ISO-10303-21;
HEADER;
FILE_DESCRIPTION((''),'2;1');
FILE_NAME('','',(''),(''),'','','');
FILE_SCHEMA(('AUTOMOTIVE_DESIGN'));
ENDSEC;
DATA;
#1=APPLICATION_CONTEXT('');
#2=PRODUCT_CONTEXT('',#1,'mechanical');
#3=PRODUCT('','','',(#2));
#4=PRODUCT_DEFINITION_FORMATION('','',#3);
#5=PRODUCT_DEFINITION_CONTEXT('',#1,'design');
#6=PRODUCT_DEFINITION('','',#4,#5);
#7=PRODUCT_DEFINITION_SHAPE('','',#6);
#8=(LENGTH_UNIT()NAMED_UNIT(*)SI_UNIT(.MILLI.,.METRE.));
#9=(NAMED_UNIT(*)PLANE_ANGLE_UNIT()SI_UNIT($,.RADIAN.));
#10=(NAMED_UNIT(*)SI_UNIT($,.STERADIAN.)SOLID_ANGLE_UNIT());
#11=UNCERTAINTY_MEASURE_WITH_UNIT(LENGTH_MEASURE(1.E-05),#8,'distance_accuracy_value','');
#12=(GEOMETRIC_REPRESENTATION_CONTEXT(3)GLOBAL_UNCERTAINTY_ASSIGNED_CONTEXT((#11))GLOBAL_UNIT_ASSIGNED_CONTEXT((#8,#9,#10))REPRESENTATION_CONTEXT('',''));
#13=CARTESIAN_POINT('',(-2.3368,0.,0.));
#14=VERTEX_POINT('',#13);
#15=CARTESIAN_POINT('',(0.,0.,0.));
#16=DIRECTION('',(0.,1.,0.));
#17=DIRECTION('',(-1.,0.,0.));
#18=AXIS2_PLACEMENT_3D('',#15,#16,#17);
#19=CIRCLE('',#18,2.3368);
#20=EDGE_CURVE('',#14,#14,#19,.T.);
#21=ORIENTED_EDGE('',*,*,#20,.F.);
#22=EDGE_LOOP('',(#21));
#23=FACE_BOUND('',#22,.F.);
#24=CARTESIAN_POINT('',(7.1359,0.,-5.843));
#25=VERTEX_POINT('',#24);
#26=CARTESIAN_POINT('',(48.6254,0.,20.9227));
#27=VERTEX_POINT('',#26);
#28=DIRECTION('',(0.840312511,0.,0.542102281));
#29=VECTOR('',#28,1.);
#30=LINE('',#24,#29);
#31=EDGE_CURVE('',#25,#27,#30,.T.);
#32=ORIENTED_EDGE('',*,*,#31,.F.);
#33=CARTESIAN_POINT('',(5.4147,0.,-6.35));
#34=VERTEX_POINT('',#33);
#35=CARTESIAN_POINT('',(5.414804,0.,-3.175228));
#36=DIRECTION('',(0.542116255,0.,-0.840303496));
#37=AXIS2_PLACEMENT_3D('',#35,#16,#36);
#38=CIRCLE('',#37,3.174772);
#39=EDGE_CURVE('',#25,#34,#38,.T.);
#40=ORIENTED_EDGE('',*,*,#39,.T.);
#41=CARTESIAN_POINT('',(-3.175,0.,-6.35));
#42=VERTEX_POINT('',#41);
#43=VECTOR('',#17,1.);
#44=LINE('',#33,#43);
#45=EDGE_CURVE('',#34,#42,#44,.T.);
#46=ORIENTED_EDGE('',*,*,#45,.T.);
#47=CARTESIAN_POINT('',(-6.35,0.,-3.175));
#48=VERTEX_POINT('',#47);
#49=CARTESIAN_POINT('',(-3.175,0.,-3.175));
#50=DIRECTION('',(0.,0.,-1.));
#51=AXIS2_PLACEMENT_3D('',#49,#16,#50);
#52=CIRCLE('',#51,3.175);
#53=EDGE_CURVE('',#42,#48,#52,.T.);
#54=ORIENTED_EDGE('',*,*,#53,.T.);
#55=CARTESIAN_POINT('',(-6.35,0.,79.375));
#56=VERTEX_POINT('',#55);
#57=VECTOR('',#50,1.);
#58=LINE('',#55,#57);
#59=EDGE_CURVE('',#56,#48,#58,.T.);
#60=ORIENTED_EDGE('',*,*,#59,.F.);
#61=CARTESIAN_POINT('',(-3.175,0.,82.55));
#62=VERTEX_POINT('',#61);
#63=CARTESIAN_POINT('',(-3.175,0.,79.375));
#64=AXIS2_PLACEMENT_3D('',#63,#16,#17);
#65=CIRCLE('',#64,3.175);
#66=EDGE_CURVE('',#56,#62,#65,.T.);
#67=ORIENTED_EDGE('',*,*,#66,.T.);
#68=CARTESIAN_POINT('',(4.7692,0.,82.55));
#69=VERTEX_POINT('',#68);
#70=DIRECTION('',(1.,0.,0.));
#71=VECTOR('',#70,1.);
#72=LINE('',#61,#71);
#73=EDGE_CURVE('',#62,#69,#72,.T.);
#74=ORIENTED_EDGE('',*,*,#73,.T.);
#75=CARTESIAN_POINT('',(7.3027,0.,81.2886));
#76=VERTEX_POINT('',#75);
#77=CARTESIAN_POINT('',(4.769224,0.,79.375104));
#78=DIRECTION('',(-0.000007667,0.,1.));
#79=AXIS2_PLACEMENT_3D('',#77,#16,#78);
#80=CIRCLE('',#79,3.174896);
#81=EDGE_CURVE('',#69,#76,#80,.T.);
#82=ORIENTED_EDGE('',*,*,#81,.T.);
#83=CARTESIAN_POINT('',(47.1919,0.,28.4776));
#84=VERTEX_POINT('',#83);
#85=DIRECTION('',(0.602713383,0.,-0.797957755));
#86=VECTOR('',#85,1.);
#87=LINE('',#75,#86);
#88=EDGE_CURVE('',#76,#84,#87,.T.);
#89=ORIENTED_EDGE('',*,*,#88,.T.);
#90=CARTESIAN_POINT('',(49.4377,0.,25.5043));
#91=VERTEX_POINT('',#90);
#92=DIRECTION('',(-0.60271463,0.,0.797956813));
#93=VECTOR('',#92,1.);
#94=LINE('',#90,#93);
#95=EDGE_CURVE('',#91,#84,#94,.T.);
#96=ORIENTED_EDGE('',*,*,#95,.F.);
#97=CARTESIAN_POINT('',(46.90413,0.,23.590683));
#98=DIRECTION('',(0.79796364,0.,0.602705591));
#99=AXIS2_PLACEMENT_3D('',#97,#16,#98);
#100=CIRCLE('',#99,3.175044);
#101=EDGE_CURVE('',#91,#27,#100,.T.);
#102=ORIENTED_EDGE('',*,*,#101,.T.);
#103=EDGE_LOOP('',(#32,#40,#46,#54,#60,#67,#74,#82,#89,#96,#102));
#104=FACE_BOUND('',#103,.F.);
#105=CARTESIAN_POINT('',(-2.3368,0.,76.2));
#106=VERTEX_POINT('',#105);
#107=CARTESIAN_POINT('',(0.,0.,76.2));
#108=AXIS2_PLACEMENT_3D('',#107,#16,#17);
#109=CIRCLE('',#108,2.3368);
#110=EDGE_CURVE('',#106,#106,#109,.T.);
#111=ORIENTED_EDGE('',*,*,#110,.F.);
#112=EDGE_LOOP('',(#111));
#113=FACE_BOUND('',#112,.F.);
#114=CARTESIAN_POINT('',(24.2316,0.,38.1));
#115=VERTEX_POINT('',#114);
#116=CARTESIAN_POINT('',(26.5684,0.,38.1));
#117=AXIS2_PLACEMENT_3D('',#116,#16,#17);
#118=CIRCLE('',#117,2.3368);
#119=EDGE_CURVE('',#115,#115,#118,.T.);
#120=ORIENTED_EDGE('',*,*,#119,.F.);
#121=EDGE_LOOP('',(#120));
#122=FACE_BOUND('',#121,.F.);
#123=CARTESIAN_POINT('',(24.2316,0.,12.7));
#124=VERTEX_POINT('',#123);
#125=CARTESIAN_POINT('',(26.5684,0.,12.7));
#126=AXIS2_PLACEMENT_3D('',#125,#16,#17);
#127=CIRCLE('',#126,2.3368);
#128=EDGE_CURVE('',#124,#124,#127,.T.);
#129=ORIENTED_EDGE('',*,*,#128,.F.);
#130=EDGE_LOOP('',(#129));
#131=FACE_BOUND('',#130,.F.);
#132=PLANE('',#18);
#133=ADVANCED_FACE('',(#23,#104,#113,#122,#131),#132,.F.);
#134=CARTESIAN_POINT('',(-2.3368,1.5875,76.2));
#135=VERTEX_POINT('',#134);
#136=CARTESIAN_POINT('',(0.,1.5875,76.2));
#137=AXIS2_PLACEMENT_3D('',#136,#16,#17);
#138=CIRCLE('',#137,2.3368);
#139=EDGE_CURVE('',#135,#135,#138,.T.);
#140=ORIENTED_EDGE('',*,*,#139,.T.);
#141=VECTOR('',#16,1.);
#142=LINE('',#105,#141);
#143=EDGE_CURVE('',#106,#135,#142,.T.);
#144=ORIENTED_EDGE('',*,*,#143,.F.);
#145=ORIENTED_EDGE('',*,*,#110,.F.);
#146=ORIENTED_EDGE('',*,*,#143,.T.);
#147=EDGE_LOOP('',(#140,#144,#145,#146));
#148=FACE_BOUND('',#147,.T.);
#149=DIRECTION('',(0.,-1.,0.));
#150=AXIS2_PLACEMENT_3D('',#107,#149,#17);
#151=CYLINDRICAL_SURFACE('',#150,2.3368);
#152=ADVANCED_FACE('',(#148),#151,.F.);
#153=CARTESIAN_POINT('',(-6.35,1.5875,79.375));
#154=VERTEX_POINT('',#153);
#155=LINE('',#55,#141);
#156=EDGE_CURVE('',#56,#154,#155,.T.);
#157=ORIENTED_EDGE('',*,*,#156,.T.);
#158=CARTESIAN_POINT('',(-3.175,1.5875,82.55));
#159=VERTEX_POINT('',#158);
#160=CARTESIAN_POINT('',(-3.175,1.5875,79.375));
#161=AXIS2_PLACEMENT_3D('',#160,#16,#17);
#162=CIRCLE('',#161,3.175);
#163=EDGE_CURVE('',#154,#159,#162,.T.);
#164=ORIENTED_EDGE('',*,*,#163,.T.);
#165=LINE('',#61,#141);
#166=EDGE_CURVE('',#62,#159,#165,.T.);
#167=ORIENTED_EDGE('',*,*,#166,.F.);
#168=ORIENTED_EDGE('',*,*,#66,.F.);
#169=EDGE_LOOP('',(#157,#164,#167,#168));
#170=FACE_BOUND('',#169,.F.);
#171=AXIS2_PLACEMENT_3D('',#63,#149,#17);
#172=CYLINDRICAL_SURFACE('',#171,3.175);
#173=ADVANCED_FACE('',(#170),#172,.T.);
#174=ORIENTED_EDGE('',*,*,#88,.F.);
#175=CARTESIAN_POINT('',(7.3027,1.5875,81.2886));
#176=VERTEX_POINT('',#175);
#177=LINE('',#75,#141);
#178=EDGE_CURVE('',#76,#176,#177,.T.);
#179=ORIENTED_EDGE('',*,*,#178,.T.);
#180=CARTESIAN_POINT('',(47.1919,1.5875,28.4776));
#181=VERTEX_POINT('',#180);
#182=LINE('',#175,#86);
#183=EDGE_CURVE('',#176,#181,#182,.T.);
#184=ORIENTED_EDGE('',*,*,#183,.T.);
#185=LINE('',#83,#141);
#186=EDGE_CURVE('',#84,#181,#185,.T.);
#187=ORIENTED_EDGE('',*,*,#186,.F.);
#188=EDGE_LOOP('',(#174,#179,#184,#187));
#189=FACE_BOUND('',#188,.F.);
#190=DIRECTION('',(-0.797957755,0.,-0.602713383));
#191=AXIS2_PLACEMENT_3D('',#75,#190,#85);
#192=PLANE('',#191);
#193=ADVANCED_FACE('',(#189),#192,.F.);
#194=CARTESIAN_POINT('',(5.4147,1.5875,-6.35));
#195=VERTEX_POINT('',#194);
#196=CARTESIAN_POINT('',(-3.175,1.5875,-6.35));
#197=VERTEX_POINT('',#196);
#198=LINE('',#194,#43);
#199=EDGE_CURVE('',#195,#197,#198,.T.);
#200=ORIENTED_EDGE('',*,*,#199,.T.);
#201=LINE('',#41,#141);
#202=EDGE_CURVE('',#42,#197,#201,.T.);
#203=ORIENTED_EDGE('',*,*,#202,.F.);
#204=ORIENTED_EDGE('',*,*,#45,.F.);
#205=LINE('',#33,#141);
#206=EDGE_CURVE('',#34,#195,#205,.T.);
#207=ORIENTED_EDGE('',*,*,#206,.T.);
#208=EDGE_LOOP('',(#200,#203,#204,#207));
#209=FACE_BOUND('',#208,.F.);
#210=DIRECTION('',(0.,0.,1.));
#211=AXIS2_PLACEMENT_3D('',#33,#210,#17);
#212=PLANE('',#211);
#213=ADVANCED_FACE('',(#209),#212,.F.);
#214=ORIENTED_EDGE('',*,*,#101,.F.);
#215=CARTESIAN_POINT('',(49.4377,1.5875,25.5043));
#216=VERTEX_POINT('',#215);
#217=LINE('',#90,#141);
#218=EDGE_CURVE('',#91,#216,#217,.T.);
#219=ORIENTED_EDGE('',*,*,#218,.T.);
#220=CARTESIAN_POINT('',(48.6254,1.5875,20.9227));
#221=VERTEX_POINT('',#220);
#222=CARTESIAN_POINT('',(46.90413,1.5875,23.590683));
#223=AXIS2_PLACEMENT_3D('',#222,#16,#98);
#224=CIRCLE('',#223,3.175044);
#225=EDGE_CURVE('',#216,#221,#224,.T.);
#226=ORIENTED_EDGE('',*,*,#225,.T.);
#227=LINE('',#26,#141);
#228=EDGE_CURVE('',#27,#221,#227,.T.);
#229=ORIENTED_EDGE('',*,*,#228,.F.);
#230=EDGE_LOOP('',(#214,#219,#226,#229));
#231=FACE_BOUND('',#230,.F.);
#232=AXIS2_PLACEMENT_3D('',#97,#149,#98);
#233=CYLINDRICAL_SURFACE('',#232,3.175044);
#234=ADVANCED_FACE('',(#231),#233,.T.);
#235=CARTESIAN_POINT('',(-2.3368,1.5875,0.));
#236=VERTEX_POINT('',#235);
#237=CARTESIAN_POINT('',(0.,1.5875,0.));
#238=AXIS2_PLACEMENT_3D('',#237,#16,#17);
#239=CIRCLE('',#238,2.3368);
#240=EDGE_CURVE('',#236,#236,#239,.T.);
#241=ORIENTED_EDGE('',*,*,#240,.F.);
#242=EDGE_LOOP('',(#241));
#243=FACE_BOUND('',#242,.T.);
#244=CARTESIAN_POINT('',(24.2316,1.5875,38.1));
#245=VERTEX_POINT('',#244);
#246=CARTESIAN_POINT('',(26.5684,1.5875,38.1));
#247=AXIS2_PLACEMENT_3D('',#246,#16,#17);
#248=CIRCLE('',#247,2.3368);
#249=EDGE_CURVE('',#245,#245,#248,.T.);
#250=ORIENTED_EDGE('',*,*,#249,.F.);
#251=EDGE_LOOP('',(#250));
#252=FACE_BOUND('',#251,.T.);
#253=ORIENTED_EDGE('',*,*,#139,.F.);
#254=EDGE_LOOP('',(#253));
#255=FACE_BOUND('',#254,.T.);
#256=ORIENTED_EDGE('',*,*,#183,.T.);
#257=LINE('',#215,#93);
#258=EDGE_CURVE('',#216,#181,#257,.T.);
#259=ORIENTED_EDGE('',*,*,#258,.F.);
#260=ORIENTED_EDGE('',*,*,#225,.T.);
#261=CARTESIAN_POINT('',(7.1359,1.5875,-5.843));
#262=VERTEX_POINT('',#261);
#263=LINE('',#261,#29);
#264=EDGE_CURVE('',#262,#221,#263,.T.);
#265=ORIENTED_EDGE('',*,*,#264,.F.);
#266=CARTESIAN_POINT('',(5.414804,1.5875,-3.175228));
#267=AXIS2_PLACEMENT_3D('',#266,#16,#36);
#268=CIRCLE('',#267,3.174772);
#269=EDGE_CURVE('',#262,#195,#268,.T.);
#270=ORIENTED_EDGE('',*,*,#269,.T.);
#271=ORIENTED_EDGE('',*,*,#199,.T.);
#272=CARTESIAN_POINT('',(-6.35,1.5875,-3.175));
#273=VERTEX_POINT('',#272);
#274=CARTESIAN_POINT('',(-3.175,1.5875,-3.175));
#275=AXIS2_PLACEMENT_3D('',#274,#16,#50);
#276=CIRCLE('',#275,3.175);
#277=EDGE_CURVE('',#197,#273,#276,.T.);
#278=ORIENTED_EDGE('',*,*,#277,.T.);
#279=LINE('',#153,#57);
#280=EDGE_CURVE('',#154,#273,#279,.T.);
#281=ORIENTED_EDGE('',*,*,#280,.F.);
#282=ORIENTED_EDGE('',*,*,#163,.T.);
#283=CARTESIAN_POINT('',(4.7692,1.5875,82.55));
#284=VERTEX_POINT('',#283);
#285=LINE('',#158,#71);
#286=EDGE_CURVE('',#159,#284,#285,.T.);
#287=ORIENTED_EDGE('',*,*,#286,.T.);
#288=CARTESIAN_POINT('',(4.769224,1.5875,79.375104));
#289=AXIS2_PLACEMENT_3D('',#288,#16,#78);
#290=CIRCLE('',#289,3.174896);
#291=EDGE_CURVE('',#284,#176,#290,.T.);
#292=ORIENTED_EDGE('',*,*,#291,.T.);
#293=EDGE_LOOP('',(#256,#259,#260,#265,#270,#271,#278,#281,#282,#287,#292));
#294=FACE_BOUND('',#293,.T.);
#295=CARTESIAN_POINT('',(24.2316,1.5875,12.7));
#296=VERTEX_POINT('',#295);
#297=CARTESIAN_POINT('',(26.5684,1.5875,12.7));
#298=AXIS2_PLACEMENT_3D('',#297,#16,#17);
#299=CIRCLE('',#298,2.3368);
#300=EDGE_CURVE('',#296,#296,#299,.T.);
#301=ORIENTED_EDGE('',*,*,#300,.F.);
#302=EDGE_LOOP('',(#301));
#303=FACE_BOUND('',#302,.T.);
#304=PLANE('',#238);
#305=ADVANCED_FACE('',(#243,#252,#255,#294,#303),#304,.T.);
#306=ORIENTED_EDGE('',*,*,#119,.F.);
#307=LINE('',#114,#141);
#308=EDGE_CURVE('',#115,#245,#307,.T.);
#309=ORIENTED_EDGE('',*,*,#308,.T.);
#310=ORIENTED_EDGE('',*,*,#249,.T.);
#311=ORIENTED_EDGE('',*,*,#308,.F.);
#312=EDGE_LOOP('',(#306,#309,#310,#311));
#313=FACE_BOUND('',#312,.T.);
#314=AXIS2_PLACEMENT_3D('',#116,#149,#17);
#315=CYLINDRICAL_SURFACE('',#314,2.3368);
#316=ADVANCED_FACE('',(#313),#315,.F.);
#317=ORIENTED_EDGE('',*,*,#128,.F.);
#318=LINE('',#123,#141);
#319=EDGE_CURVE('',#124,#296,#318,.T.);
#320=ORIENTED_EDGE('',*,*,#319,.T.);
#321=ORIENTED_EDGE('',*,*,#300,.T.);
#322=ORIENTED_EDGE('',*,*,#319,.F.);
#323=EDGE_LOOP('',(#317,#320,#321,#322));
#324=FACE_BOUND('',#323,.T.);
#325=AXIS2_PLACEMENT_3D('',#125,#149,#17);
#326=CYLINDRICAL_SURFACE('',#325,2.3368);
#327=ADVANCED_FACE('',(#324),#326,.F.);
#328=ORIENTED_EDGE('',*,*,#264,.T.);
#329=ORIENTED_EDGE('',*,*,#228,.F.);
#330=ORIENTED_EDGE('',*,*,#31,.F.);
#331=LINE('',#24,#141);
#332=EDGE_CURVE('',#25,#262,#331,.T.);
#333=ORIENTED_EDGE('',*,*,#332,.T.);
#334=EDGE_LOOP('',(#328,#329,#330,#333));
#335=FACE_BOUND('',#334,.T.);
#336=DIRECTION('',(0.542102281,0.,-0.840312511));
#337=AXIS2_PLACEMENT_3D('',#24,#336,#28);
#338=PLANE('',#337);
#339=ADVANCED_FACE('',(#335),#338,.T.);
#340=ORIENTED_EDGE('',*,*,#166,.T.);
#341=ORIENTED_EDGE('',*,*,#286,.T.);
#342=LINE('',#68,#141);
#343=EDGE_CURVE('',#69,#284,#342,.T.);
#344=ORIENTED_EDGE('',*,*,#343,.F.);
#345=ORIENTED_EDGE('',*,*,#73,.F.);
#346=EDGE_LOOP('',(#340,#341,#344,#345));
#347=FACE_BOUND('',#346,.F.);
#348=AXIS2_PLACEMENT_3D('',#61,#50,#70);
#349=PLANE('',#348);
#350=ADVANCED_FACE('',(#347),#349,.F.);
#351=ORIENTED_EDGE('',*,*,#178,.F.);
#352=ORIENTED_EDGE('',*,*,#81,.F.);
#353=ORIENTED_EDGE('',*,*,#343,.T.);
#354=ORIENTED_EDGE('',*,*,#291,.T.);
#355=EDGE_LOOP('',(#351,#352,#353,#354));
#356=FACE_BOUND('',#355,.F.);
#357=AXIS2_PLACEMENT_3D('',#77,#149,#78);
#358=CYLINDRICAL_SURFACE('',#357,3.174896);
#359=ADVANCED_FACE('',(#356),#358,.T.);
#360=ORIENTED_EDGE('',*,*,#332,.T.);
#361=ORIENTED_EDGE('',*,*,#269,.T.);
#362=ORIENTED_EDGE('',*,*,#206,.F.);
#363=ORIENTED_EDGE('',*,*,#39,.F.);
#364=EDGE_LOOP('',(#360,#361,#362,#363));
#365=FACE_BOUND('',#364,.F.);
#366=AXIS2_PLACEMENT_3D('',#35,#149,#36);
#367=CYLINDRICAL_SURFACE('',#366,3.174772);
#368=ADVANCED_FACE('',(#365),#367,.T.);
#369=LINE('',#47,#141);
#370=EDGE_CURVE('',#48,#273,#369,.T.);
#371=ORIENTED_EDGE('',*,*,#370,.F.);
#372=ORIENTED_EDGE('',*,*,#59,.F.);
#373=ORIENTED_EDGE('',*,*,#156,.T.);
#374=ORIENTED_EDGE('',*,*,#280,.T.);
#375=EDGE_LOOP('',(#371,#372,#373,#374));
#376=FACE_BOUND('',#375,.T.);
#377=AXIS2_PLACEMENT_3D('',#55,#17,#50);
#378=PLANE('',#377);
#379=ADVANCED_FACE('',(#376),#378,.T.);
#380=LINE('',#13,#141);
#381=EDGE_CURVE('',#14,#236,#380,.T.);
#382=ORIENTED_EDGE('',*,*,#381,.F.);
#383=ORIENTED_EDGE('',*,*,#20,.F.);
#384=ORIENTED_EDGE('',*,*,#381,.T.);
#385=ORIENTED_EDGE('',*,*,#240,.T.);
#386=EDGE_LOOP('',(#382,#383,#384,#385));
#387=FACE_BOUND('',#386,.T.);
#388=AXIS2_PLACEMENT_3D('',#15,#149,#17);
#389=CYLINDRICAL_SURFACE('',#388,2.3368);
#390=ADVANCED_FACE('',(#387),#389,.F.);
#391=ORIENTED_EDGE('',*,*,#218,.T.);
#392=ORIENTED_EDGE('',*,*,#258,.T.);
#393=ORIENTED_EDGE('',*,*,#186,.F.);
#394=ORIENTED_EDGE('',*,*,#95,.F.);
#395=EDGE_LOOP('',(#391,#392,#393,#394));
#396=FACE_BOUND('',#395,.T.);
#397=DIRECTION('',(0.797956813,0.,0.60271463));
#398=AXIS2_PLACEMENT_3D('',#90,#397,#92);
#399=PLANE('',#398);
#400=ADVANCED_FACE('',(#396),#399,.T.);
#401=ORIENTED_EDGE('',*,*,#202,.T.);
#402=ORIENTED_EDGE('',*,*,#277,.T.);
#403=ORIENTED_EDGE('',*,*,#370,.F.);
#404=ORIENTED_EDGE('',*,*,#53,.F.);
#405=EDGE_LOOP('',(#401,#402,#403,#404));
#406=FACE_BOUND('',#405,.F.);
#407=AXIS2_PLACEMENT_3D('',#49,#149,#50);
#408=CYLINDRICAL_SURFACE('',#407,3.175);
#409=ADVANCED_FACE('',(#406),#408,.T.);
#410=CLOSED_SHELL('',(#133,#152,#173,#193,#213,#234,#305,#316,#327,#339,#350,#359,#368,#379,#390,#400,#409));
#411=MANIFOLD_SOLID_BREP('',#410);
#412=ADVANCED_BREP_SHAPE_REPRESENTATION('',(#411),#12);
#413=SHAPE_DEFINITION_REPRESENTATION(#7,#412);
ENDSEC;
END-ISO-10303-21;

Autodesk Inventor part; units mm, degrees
ref_plane "YZ Plane" through (0, 0, 0) normal (1, 0, 0) x (0, 1, 0)
ref_plane "XZ Plane" through (0, 0, 0) normal (0, 1, 0) x (-1, 0, 0)
ref_plane "XY Plane" through (0, 0, 0) normal (0, 0, 1) x (1, 0, 0)
sketch "Sketch1" plane through (0, 0, 0) normal (0, 1, 0) x (-1, 0, 0)
  circle A0 centre (0, 0) radius 2.3368
  circle A1 centre (0, 76.2) radius 2.3368
  circle A2 centre (-26.5684, 12.7) radius 2.3368
  circle A3 centre (-26.5684, 38.1) radius 2.3368
  line L0 (3.175, 82.55) -> (-4.7692, 82.55)
  line L1 (6.35, 82.55) -> (14.2942, 82.55) construction
  line L2 (6.35, 79.375) -> (6.35, -3.175)
  circle A4 centre (-26.5684, -12.7) radius 41.275 construction
  line L3 (-7.3027, 81.2886) -> (-47.1919, 28.4776)
  arc A5 (-4.7692, 82.55) -> (-7.3027, 81.2886) centre (-4.7692, 79.375) ccw
  arc A6 (6.35, 79.375) -> (3.175, 82.55) centre (3.175, 79.375) ccw
  arc A7 (3.175, -6.35) -> (6.35, -3.175) centre (3.175, -3.175) ccw
  line L4 (-5.4147, -6.35) -> (3.175, -6.35)
  line L5 (-7.1359, -5.843) -> (-48.6254, 20.9227)
  line L6 (-49.4377, 25.5043) -> (-47.1919, 28.4776)
  arc A8 (-49.4377, 25.5043) -> (-48.6254, 20.9227) centre (-46.9042, 23.5907) ccw
  arc A9 (-7.1359, -5.843) -> (-5.4147, -6.35) centre (-5.4147, -3.175) ccw
  point P0 (-6.35, 82.55)
  point P1 (-6.35, -6.35)
  point P2 (6.35, -6.35)
  point P3 (-67.352, -6.35)
  dimension "d17" = 82.55
  dimension "d0" = 4.6736
  dimension "d2" = 76.2
  dimension "d3" = 4.6736
  dimension "d4" = 4.6736
  dimension "d5" = 4.6736
  dimension "d6" = 12.7
  dimension "d7" = 26.5684
  dimension "d8" = 25.4
  dimension "d9" = 0
  dimension "d10" = 12.7
  dimension "d11" = 180
  dimension "d12" = 6.35
  dimension "d13" = 6.35
  dimension "d14" = 12.7
  dimension "d15" = 6.35
  dimension "d16" = 6.35
  dimension "d18" = 25.4
  dimension "d19" = 0
  dimension "d20" = 3.175
  dimension "d22" = 9.525
  dimension "d23" = 3.175
extrude "Plate1" add sketch "Sketch1" along normal blind 1.5875
equation "\"d21\" = Thickness"
equation "\"BendRadius\" = Thickness"
equation "\"BendReliefWidth\" = Thickness"
equation "\"BendReliefDepth\" = 0.5 * Thickness"
equation "\"CornerReliefSize\" = 4 * Thickness"
equation "\"MinimumRemnant\" = 2 * Thickness"
equation "\"TransitionRadius\" = BendRadius"
equation "\"JacobiRadiusSize\" = BendRadius"
equation "\"GapSize\" = Thickness"
equation "\"Thickness\" = 1.5875"
properties part number "andrewSled"
